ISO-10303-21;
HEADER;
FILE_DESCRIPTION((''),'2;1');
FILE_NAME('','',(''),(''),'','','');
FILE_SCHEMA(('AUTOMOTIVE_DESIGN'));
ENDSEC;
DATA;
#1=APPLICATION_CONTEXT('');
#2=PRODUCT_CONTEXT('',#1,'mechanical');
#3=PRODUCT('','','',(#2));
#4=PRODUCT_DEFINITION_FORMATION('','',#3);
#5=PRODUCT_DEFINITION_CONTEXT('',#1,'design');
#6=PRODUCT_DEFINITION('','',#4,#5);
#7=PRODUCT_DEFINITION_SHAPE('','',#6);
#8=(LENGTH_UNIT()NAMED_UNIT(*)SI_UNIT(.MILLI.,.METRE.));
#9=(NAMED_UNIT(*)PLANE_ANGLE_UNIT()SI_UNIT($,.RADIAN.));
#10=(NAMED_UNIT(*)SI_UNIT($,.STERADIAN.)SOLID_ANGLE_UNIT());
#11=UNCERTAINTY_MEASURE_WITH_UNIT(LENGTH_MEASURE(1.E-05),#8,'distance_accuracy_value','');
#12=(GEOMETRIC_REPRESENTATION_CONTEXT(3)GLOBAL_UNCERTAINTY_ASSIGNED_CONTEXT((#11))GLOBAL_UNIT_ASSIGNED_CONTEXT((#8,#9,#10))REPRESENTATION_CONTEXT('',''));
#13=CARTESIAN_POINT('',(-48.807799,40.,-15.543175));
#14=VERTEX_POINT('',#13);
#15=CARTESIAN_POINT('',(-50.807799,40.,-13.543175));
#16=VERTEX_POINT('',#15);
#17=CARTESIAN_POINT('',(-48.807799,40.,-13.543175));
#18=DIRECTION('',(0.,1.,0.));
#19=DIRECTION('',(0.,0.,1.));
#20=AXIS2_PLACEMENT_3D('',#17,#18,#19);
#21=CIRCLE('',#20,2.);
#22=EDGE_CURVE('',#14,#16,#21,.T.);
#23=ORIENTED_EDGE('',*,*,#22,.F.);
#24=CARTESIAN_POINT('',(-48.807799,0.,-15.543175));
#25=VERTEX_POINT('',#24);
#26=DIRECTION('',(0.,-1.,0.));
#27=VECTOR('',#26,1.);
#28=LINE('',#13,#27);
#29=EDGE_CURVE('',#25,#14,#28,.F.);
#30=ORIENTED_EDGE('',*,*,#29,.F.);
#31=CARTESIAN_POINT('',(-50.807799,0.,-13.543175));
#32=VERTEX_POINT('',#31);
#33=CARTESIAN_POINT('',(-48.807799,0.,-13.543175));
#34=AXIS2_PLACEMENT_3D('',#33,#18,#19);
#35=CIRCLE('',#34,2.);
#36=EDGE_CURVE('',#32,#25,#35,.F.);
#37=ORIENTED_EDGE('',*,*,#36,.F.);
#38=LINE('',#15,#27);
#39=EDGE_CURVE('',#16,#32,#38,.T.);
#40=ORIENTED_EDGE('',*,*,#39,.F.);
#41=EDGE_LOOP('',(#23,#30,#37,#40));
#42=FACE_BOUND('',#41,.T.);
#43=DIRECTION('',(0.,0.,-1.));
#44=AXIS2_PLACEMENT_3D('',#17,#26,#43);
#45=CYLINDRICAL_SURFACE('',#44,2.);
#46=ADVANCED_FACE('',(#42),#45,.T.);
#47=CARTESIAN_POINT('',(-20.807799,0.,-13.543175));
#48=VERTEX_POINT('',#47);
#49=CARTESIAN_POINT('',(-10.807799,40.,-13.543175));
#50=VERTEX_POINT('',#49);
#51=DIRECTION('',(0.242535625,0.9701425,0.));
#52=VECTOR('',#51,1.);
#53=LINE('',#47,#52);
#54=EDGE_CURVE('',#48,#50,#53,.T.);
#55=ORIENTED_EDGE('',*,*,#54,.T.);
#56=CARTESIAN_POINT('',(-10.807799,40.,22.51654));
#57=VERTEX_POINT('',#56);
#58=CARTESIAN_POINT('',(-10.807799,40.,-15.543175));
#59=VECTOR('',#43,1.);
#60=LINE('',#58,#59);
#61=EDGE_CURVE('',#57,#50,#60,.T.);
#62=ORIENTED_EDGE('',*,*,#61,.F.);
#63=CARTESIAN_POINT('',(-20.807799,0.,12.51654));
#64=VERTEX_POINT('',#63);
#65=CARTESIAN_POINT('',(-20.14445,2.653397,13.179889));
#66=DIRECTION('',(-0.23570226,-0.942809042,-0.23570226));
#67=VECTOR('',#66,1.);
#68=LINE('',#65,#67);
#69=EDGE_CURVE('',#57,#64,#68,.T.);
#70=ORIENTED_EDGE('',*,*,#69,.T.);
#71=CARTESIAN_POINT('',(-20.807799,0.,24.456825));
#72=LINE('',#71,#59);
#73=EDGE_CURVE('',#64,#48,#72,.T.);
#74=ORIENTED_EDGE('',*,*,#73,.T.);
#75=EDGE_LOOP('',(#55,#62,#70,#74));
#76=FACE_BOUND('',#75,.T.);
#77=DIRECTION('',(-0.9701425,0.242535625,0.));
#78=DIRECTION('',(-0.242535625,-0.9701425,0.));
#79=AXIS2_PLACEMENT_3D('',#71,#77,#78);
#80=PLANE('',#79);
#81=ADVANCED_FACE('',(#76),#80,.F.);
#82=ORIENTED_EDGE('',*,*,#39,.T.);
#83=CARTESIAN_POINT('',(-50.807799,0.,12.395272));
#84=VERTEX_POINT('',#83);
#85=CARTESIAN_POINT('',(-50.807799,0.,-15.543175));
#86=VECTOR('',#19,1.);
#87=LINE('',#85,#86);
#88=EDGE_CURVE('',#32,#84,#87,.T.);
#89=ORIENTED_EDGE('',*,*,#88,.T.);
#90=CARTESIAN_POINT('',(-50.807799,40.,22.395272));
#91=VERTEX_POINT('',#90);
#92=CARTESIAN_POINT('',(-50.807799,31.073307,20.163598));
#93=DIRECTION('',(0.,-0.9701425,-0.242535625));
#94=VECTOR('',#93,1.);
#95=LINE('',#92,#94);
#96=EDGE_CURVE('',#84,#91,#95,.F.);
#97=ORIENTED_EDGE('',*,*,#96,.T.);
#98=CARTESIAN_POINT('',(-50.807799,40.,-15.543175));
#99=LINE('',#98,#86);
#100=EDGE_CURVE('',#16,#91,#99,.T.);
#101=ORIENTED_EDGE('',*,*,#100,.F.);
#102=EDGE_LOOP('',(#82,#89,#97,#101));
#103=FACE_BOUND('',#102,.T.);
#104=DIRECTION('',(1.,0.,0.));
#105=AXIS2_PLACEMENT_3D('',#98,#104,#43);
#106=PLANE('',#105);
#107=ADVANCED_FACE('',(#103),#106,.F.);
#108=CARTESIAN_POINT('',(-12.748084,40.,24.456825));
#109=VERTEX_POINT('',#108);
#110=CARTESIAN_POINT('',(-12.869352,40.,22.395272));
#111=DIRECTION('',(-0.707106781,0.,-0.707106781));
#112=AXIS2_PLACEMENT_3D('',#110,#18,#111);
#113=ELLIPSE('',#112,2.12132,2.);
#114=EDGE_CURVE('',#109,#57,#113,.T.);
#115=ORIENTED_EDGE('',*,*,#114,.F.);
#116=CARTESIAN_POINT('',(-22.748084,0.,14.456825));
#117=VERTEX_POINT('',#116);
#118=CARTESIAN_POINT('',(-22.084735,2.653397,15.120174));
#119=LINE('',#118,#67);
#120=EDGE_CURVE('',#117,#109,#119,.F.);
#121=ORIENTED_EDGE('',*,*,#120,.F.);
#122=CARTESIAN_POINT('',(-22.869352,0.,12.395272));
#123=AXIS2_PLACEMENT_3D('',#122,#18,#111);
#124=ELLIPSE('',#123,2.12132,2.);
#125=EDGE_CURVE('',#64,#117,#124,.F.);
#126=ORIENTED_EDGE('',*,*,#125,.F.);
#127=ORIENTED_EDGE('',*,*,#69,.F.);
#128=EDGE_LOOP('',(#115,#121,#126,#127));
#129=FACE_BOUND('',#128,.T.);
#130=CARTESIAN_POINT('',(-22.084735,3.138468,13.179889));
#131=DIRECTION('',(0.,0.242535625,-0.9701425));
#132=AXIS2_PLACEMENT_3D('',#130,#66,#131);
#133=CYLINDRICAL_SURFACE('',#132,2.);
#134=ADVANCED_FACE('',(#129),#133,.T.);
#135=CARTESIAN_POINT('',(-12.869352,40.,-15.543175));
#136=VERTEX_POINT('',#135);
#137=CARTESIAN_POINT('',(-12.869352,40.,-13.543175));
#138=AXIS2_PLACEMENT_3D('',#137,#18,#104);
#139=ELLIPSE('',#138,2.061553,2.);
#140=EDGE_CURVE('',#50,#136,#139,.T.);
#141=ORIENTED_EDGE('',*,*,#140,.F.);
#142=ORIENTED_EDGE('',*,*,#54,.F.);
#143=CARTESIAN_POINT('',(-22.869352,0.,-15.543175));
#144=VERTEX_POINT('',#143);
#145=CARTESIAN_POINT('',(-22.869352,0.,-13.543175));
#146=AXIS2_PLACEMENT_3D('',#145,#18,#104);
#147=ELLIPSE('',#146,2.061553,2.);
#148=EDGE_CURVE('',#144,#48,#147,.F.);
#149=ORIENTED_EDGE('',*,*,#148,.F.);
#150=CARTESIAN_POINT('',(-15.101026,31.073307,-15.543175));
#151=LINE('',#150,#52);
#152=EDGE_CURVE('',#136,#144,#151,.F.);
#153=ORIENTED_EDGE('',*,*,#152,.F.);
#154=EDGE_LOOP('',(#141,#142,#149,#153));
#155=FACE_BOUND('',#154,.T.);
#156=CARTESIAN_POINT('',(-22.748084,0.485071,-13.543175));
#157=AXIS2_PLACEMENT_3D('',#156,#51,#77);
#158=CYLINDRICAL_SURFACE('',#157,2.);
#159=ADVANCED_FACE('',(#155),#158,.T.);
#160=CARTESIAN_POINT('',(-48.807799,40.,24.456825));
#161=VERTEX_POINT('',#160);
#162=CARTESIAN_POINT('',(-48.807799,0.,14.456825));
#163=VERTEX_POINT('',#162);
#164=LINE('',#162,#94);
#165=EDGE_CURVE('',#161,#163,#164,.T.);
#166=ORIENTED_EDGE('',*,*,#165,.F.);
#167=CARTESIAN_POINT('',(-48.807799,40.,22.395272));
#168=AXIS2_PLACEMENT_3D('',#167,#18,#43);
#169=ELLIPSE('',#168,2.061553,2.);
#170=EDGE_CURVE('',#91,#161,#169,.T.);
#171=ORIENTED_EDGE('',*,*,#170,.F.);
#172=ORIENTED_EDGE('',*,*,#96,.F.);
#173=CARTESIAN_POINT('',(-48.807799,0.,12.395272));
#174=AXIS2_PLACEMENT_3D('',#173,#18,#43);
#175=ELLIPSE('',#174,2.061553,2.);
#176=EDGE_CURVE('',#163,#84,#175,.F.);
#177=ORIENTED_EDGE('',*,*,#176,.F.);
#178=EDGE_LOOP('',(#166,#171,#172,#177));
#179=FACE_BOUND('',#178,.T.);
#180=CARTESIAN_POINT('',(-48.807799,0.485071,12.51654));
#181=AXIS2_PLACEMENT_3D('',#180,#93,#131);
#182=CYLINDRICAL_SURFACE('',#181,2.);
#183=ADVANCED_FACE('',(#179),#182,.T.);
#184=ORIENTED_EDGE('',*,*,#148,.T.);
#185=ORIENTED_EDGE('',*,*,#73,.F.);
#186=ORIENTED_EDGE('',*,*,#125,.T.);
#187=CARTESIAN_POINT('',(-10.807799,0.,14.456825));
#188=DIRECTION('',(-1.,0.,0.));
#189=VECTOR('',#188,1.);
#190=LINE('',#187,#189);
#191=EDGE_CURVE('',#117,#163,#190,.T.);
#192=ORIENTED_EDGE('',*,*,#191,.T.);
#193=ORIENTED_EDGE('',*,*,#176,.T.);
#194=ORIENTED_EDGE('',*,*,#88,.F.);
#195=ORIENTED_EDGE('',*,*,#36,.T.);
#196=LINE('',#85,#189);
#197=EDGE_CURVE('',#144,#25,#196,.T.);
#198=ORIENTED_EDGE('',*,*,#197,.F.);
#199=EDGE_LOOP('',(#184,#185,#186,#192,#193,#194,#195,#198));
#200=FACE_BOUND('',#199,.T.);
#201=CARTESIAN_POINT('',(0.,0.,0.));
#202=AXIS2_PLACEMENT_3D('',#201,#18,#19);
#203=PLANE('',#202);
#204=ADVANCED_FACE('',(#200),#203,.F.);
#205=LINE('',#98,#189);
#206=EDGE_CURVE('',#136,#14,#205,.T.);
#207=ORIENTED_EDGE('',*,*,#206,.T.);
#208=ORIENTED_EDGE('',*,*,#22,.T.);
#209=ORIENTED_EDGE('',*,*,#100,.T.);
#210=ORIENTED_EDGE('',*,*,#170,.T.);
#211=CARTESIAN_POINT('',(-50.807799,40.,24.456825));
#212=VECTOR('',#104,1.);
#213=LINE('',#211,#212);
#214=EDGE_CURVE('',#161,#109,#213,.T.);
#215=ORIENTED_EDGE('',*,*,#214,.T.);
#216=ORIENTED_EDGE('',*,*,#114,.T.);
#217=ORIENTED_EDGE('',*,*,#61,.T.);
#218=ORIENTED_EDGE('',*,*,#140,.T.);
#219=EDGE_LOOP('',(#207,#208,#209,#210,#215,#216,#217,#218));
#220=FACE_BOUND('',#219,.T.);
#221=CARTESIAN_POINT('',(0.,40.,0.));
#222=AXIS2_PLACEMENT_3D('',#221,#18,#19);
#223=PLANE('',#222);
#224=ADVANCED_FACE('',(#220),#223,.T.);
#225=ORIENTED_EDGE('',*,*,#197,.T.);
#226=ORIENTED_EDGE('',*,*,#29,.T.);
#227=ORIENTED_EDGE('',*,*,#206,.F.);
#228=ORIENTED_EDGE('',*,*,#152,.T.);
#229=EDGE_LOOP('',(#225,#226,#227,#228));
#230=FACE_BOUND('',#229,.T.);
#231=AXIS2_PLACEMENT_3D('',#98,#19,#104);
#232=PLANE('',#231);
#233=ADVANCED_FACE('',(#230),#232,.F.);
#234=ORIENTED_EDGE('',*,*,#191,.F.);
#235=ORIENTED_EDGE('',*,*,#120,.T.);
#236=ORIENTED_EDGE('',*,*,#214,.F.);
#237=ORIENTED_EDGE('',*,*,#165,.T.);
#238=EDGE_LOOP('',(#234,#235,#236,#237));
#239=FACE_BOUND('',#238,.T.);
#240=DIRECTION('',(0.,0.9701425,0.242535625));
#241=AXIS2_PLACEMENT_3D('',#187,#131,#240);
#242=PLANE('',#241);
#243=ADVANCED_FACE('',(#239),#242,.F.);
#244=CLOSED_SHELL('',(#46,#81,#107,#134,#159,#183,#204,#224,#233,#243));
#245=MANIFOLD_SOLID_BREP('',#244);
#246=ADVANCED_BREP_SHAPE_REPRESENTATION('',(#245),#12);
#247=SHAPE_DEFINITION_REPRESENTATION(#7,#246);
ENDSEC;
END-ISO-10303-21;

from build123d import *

# Parameters (mm, degrees)
SKETCH_1_W          = 40
SKETCH_1_H          = 40
EXTRUDE_1_DEPTH     = 40
CUT_EXTRUDE_1_DEPTH = 77.035731628
CUT_EXTRUDE_2_DEPTH = 62.629021291
FILLET_1_R          = 2


with BuildPart() as part:
    # Эскиз1 → Бобышка-Вытянуть1 (new body)
    with BuildSketch(Plane(origin=(0, 0, 0), x_dir=(1, 0, 0), z_dir=(0, 1, 0))):
        with Locations((-30.807799443, -4.456824513)):
            Rectangle(SKETCH_1_W, SKETCH_1_H)
    extrude(amount=EXTRUDE_1_DEPTH)

    # Эскиз2 → Вырез-Вытянуть1 (cut, through all)
    with BuildSketch(Plane(origin=(0, 0, -15.543175487), x_dir=(-1, 0, 0), z_dir=(0, 0, -1))):
        Polygon((10.807799443, 40), (10.807799443, 0), (20.807799443, 0), align=None)
    extrude(amount=-CUT_EXTRUDE_1_DEPTH, mode=Mode.SUBTRACT)

    # Эскиз3 → Вырез-Вытянуть2 (cut, through all)
    with BuildSketch(Plane.ZY.offset(50.807799443)):
        Polygon((24.456824513, 0), (14.456824513, 0), (24.456824513, 40), align=None)
    extrude(amount=-CUT_EXTRUDE_2_DEPTH, mode=Mode.SUBTRACT)

    # Скругление1
    fillet_1_edges = [part.edges().sort_by_distance(p)[0] for p in [
        (-15.807799443, 20, -15.543175487),
        (-15.807799443, 20, 19.456824513),
        (-50.807799443, 20, 19.456824513),
        (-50.807799443, 20, -15.543175487),
    ]]
    fillet(fillet_1_edges, radius=FILLET_1_R)


solid = part.part
